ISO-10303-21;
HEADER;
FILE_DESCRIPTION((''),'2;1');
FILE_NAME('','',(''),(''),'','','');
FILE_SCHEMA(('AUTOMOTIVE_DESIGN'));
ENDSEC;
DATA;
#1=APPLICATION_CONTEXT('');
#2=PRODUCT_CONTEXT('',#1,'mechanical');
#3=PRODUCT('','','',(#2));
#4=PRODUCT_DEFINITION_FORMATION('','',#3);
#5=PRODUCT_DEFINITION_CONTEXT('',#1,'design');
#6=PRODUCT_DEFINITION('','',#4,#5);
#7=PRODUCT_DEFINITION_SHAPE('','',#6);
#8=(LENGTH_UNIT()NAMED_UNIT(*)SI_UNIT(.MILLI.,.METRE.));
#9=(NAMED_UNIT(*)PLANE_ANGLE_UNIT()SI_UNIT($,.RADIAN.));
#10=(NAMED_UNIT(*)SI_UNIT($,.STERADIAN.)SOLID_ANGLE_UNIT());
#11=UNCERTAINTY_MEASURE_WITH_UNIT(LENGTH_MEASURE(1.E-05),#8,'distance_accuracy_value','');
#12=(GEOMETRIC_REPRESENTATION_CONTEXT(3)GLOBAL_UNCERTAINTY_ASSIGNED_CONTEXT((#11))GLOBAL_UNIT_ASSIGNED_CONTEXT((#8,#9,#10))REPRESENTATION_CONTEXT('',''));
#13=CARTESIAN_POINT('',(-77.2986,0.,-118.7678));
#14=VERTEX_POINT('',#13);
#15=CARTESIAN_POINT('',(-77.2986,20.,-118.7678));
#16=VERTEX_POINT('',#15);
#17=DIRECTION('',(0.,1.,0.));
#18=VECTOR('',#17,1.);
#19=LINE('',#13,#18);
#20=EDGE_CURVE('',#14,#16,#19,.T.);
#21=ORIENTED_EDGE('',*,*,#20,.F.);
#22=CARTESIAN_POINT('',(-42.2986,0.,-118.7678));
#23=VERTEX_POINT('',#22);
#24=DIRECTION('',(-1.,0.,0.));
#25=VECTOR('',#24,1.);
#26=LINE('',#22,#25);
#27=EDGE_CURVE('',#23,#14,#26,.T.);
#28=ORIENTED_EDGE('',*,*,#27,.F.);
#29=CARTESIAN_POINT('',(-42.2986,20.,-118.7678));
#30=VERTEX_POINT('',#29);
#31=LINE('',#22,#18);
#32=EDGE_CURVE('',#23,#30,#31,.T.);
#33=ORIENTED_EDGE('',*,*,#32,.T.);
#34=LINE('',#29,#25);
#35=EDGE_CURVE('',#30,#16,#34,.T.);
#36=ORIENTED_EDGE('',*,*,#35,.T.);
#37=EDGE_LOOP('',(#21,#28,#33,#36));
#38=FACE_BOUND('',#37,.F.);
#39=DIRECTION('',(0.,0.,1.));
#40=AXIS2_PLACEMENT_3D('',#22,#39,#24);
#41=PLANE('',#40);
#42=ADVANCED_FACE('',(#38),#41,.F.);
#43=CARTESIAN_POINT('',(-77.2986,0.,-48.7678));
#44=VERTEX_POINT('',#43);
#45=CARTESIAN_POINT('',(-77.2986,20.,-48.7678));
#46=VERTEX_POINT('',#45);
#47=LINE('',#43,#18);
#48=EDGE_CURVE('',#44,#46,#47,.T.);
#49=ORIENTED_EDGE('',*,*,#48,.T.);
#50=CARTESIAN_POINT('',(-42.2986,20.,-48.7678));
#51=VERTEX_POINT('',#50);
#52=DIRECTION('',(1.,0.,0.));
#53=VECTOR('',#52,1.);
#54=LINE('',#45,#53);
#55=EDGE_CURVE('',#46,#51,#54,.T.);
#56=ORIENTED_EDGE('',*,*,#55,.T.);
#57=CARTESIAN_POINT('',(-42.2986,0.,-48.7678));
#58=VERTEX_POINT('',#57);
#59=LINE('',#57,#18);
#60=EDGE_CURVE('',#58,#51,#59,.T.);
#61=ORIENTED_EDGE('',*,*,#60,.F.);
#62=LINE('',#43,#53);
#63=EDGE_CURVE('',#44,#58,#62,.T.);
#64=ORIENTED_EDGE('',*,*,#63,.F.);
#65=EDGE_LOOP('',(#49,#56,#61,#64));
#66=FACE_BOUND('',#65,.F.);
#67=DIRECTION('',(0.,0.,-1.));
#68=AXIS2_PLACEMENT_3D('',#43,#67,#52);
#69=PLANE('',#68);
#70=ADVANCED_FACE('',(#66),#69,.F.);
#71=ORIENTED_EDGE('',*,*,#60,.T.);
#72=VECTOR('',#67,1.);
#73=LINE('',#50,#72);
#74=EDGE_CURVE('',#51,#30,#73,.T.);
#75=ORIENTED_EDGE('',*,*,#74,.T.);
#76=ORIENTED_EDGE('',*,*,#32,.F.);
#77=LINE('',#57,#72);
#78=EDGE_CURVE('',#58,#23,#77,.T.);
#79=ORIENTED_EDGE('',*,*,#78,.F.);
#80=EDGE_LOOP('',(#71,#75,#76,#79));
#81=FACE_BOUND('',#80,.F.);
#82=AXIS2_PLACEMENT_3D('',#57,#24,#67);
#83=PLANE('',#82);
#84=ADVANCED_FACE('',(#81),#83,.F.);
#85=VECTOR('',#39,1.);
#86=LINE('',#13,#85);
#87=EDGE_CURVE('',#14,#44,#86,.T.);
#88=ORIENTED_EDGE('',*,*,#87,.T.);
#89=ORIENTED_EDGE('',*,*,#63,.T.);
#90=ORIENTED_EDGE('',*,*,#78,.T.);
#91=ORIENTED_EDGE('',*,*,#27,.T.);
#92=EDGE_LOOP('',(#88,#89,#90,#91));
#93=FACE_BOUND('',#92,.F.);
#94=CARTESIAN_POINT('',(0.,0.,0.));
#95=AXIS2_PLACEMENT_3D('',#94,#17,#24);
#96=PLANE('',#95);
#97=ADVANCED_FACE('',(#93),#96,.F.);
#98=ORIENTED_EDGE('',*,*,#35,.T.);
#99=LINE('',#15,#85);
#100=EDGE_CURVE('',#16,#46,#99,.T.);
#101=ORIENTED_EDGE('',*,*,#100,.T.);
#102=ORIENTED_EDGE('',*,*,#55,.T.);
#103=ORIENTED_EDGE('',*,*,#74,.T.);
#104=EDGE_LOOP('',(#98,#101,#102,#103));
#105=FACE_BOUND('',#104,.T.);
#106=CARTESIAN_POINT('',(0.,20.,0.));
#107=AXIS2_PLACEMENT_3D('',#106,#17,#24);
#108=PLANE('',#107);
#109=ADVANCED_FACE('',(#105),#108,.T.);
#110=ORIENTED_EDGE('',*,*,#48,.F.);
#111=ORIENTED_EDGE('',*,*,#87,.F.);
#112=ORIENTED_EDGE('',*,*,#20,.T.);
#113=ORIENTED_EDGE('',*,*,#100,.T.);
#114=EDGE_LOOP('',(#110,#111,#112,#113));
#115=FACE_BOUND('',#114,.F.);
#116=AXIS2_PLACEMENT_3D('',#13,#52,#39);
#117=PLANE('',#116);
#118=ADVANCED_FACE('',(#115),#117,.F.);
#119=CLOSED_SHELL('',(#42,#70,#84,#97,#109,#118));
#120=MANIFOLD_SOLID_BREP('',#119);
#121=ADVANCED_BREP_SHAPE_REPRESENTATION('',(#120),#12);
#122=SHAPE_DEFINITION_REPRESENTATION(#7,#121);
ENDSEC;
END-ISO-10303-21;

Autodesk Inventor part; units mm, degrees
ref_plane "YZ Plane" through (0, 0, 0) normal (1, 0, 0) x (0, 1, 0)
ref_plane "XZ Plane" through (0, 0, 0) normal (0, 1, 0) x (-1, 0, 0)
ref_plane "XY Plane" through (0, 0, 0) normal (0, 0, 1) x (1, 0, 0)
sketch "Skizze1" plane through (0, 0, 0) normal (0, 1, 0) x (-1, 0, 0)
  line L0 (77.2986, -48.7678) -> (42.2986, -48.7678)
  line L1 (42.2986, -48.7678) -> (42.2986, -118.7678)
  line L2 (42.2986, -118.7678) -> (77.2986, -118.7678)
  line L3 (77.2986, -118.7678) -> (77.2986, -48.7678)
  point P0 (0, 0)
  dimension "d0" = 70
  dimension "d1" = 35
extrude "Extrusion1" add sketch "Skizze1" along normal blind 20
properties part number "Battery-Pack-Ampel"
